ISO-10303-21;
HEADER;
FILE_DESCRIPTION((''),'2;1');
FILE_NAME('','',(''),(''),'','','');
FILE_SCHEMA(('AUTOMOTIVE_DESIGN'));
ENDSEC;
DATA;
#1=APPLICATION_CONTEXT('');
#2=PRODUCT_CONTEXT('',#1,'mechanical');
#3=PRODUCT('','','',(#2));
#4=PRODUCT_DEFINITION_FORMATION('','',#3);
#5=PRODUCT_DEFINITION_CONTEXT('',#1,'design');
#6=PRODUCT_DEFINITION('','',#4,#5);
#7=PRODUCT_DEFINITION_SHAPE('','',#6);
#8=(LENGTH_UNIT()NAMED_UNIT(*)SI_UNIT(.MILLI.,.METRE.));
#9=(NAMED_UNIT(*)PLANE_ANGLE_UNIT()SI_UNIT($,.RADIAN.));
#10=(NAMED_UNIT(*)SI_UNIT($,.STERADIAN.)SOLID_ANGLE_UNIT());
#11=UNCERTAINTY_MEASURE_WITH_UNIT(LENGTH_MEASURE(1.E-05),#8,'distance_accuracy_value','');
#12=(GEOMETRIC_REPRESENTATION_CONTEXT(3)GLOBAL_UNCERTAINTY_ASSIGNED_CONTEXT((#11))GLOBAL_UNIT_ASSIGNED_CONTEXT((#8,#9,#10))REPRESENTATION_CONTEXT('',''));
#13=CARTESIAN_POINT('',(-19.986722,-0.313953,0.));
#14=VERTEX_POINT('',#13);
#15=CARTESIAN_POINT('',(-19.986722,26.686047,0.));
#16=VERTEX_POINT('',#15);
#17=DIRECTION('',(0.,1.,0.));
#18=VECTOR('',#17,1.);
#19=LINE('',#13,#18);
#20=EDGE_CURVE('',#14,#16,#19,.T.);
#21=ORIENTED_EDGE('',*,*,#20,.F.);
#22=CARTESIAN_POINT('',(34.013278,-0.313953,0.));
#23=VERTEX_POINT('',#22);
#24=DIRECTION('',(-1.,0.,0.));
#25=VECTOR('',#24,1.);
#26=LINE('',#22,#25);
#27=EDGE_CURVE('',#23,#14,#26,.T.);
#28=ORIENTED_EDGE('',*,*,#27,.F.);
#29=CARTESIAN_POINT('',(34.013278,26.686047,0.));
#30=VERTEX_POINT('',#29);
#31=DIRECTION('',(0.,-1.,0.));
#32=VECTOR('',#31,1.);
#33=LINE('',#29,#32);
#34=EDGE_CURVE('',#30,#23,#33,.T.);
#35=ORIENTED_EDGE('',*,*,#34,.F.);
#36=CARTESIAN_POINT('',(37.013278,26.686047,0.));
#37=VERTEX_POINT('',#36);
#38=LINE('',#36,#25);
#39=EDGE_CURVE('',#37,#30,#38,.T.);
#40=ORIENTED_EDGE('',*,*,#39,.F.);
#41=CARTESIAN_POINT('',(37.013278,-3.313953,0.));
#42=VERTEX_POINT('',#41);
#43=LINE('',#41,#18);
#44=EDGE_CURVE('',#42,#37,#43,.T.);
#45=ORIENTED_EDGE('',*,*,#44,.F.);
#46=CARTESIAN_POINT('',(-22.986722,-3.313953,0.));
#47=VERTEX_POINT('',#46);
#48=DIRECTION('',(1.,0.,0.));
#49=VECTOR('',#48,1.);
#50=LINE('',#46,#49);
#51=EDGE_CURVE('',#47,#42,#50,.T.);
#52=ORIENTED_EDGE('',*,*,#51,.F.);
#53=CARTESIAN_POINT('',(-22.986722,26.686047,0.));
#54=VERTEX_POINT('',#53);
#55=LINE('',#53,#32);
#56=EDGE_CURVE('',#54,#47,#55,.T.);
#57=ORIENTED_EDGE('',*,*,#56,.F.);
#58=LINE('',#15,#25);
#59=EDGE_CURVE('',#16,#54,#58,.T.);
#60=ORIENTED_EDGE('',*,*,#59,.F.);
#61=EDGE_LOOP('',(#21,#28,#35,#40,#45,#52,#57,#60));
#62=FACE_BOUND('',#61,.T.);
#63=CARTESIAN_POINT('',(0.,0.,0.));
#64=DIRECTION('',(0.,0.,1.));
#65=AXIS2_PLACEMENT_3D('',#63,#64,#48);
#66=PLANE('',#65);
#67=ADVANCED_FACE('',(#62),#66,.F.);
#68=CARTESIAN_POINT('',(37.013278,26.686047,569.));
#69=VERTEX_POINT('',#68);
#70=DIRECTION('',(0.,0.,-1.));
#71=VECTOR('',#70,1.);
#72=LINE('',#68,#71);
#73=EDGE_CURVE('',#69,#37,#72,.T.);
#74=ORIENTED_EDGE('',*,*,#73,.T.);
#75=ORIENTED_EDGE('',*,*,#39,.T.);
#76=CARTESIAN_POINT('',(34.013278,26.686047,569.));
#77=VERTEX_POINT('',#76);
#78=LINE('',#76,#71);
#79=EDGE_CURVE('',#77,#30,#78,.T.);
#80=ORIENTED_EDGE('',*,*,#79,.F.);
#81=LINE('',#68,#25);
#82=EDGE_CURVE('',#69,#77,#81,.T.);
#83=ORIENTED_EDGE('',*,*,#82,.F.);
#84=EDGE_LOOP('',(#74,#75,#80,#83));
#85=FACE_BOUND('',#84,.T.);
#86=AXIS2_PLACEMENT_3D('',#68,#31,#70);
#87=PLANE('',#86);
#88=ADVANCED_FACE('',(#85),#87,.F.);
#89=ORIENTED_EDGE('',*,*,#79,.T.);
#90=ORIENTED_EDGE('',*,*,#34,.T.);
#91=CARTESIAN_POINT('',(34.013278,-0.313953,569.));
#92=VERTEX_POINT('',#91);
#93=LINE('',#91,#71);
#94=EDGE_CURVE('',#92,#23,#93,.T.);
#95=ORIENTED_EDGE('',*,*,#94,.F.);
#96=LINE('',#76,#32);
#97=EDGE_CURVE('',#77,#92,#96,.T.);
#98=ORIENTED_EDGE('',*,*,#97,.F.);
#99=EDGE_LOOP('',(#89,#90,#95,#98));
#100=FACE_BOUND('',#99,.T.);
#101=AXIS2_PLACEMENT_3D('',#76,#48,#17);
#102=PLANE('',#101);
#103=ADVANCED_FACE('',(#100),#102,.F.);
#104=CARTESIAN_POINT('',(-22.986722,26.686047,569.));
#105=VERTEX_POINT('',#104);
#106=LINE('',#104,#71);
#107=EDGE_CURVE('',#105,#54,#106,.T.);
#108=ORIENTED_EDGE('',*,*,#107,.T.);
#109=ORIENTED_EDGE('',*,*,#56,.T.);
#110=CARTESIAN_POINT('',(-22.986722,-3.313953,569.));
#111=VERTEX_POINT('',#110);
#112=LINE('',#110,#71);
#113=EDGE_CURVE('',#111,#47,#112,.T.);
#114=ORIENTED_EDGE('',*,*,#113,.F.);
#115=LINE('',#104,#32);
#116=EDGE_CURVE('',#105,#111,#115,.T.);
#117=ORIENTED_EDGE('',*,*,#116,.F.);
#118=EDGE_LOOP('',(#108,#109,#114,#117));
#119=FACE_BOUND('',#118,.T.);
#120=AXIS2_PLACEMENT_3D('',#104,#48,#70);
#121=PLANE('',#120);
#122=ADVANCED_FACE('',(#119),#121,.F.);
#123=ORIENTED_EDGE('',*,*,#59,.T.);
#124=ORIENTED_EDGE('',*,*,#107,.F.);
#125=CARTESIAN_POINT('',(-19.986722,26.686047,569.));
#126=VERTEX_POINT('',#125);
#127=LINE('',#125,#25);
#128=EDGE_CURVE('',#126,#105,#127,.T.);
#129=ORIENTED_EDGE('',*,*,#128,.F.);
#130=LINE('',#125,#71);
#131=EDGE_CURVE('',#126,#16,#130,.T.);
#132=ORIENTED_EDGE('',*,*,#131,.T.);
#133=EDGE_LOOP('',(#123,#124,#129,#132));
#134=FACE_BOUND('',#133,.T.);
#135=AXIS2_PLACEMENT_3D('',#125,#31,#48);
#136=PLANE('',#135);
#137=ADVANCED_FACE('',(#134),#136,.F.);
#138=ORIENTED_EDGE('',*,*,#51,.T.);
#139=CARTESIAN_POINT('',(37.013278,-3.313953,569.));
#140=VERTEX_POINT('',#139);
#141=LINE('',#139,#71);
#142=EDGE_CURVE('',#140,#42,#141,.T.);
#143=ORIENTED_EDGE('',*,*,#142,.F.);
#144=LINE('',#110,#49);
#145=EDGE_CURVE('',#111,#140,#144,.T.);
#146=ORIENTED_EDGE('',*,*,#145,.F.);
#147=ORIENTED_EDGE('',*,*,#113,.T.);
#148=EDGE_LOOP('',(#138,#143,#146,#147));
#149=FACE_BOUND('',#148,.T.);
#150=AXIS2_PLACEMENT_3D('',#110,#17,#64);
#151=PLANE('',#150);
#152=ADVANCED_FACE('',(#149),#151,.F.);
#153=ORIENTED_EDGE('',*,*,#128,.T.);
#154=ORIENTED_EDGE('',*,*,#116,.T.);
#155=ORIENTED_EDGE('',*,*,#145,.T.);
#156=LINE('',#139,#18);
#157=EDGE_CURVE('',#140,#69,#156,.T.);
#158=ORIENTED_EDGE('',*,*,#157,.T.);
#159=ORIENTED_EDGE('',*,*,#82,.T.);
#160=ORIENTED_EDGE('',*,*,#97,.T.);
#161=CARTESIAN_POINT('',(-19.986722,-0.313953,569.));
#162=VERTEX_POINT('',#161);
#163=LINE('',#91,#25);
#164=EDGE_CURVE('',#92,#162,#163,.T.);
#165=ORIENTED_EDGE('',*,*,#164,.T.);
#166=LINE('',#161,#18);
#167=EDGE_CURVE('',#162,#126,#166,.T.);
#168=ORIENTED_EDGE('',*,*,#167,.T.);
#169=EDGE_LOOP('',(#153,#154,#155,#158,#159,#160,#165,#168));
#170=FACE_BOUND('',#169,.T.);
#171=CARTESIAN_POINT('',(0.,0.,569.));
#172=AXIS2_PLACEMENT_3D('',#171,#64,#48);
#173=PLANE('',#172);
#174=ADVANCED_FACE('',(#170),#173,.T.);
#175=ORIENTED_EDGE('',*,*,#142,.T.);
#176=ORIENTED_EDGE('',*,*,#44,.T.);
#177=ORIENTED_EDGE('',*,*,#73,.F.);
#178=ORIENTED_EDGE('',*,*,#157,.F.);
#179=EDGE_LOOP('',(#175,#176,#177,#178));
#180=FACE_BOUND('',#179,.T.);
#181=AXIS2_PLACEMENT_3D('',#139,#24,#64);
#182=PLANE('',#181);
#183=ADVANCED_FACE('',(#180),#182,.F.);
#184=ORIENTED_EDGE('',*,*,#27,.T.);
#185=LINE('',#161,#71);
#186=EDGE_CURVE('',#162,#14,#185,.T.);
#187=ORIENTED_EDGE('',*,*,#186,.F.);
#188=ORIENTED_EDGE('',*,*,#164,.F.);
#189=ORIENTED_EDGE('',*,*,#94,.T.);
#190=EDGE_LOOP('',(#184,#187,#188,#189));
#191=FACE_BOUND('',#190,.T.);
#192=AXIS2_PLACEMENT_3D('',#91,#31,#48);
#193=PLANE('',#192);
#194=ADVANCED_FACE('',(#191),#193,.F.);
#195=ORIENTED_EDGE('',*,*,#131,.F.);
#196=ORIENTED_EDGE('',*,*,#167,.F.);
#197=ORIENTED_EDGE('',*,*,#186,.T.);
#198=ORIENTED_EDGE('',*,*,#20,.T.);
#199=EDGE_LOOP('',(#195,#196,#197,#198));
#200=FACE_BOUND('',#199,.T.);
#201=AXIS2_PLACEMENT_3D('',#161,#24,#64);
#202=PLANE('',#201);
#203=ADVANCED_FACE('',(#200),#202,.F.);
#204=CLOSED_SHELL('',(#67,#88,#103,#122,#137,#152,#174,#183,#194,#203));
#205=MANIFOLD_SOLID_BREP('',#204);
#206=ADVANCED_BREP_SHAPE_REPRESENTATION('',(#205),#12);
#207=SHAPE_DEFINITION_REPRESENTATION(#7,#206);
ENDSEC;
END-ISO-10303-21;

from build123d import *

# Parameters (mm, degrees)
ESTRUSIONE_ESTRUSIONE1_DEPTH = 569


with BuildPart() as part:
    # Schizzo1 → Estrusione-Estrusione1 (new body)
    with BuildSketch(Plane.XY):
        Polygon((-22.986722187, -3.313953488), (37.013277813, -3.313953488), (37.013277813, 26.686046512), (34.013277813, 26.686046512), (34.013277813, -0.313953488), (-19.986722187, -0.313953488), (-19.986722187, 26.686046512), (-22.986722187, 26.686046512), align=None)
    extrude(amount=ESTRUSIONE_ESTRUSIONE1_DEPTH)


solid = part.part
